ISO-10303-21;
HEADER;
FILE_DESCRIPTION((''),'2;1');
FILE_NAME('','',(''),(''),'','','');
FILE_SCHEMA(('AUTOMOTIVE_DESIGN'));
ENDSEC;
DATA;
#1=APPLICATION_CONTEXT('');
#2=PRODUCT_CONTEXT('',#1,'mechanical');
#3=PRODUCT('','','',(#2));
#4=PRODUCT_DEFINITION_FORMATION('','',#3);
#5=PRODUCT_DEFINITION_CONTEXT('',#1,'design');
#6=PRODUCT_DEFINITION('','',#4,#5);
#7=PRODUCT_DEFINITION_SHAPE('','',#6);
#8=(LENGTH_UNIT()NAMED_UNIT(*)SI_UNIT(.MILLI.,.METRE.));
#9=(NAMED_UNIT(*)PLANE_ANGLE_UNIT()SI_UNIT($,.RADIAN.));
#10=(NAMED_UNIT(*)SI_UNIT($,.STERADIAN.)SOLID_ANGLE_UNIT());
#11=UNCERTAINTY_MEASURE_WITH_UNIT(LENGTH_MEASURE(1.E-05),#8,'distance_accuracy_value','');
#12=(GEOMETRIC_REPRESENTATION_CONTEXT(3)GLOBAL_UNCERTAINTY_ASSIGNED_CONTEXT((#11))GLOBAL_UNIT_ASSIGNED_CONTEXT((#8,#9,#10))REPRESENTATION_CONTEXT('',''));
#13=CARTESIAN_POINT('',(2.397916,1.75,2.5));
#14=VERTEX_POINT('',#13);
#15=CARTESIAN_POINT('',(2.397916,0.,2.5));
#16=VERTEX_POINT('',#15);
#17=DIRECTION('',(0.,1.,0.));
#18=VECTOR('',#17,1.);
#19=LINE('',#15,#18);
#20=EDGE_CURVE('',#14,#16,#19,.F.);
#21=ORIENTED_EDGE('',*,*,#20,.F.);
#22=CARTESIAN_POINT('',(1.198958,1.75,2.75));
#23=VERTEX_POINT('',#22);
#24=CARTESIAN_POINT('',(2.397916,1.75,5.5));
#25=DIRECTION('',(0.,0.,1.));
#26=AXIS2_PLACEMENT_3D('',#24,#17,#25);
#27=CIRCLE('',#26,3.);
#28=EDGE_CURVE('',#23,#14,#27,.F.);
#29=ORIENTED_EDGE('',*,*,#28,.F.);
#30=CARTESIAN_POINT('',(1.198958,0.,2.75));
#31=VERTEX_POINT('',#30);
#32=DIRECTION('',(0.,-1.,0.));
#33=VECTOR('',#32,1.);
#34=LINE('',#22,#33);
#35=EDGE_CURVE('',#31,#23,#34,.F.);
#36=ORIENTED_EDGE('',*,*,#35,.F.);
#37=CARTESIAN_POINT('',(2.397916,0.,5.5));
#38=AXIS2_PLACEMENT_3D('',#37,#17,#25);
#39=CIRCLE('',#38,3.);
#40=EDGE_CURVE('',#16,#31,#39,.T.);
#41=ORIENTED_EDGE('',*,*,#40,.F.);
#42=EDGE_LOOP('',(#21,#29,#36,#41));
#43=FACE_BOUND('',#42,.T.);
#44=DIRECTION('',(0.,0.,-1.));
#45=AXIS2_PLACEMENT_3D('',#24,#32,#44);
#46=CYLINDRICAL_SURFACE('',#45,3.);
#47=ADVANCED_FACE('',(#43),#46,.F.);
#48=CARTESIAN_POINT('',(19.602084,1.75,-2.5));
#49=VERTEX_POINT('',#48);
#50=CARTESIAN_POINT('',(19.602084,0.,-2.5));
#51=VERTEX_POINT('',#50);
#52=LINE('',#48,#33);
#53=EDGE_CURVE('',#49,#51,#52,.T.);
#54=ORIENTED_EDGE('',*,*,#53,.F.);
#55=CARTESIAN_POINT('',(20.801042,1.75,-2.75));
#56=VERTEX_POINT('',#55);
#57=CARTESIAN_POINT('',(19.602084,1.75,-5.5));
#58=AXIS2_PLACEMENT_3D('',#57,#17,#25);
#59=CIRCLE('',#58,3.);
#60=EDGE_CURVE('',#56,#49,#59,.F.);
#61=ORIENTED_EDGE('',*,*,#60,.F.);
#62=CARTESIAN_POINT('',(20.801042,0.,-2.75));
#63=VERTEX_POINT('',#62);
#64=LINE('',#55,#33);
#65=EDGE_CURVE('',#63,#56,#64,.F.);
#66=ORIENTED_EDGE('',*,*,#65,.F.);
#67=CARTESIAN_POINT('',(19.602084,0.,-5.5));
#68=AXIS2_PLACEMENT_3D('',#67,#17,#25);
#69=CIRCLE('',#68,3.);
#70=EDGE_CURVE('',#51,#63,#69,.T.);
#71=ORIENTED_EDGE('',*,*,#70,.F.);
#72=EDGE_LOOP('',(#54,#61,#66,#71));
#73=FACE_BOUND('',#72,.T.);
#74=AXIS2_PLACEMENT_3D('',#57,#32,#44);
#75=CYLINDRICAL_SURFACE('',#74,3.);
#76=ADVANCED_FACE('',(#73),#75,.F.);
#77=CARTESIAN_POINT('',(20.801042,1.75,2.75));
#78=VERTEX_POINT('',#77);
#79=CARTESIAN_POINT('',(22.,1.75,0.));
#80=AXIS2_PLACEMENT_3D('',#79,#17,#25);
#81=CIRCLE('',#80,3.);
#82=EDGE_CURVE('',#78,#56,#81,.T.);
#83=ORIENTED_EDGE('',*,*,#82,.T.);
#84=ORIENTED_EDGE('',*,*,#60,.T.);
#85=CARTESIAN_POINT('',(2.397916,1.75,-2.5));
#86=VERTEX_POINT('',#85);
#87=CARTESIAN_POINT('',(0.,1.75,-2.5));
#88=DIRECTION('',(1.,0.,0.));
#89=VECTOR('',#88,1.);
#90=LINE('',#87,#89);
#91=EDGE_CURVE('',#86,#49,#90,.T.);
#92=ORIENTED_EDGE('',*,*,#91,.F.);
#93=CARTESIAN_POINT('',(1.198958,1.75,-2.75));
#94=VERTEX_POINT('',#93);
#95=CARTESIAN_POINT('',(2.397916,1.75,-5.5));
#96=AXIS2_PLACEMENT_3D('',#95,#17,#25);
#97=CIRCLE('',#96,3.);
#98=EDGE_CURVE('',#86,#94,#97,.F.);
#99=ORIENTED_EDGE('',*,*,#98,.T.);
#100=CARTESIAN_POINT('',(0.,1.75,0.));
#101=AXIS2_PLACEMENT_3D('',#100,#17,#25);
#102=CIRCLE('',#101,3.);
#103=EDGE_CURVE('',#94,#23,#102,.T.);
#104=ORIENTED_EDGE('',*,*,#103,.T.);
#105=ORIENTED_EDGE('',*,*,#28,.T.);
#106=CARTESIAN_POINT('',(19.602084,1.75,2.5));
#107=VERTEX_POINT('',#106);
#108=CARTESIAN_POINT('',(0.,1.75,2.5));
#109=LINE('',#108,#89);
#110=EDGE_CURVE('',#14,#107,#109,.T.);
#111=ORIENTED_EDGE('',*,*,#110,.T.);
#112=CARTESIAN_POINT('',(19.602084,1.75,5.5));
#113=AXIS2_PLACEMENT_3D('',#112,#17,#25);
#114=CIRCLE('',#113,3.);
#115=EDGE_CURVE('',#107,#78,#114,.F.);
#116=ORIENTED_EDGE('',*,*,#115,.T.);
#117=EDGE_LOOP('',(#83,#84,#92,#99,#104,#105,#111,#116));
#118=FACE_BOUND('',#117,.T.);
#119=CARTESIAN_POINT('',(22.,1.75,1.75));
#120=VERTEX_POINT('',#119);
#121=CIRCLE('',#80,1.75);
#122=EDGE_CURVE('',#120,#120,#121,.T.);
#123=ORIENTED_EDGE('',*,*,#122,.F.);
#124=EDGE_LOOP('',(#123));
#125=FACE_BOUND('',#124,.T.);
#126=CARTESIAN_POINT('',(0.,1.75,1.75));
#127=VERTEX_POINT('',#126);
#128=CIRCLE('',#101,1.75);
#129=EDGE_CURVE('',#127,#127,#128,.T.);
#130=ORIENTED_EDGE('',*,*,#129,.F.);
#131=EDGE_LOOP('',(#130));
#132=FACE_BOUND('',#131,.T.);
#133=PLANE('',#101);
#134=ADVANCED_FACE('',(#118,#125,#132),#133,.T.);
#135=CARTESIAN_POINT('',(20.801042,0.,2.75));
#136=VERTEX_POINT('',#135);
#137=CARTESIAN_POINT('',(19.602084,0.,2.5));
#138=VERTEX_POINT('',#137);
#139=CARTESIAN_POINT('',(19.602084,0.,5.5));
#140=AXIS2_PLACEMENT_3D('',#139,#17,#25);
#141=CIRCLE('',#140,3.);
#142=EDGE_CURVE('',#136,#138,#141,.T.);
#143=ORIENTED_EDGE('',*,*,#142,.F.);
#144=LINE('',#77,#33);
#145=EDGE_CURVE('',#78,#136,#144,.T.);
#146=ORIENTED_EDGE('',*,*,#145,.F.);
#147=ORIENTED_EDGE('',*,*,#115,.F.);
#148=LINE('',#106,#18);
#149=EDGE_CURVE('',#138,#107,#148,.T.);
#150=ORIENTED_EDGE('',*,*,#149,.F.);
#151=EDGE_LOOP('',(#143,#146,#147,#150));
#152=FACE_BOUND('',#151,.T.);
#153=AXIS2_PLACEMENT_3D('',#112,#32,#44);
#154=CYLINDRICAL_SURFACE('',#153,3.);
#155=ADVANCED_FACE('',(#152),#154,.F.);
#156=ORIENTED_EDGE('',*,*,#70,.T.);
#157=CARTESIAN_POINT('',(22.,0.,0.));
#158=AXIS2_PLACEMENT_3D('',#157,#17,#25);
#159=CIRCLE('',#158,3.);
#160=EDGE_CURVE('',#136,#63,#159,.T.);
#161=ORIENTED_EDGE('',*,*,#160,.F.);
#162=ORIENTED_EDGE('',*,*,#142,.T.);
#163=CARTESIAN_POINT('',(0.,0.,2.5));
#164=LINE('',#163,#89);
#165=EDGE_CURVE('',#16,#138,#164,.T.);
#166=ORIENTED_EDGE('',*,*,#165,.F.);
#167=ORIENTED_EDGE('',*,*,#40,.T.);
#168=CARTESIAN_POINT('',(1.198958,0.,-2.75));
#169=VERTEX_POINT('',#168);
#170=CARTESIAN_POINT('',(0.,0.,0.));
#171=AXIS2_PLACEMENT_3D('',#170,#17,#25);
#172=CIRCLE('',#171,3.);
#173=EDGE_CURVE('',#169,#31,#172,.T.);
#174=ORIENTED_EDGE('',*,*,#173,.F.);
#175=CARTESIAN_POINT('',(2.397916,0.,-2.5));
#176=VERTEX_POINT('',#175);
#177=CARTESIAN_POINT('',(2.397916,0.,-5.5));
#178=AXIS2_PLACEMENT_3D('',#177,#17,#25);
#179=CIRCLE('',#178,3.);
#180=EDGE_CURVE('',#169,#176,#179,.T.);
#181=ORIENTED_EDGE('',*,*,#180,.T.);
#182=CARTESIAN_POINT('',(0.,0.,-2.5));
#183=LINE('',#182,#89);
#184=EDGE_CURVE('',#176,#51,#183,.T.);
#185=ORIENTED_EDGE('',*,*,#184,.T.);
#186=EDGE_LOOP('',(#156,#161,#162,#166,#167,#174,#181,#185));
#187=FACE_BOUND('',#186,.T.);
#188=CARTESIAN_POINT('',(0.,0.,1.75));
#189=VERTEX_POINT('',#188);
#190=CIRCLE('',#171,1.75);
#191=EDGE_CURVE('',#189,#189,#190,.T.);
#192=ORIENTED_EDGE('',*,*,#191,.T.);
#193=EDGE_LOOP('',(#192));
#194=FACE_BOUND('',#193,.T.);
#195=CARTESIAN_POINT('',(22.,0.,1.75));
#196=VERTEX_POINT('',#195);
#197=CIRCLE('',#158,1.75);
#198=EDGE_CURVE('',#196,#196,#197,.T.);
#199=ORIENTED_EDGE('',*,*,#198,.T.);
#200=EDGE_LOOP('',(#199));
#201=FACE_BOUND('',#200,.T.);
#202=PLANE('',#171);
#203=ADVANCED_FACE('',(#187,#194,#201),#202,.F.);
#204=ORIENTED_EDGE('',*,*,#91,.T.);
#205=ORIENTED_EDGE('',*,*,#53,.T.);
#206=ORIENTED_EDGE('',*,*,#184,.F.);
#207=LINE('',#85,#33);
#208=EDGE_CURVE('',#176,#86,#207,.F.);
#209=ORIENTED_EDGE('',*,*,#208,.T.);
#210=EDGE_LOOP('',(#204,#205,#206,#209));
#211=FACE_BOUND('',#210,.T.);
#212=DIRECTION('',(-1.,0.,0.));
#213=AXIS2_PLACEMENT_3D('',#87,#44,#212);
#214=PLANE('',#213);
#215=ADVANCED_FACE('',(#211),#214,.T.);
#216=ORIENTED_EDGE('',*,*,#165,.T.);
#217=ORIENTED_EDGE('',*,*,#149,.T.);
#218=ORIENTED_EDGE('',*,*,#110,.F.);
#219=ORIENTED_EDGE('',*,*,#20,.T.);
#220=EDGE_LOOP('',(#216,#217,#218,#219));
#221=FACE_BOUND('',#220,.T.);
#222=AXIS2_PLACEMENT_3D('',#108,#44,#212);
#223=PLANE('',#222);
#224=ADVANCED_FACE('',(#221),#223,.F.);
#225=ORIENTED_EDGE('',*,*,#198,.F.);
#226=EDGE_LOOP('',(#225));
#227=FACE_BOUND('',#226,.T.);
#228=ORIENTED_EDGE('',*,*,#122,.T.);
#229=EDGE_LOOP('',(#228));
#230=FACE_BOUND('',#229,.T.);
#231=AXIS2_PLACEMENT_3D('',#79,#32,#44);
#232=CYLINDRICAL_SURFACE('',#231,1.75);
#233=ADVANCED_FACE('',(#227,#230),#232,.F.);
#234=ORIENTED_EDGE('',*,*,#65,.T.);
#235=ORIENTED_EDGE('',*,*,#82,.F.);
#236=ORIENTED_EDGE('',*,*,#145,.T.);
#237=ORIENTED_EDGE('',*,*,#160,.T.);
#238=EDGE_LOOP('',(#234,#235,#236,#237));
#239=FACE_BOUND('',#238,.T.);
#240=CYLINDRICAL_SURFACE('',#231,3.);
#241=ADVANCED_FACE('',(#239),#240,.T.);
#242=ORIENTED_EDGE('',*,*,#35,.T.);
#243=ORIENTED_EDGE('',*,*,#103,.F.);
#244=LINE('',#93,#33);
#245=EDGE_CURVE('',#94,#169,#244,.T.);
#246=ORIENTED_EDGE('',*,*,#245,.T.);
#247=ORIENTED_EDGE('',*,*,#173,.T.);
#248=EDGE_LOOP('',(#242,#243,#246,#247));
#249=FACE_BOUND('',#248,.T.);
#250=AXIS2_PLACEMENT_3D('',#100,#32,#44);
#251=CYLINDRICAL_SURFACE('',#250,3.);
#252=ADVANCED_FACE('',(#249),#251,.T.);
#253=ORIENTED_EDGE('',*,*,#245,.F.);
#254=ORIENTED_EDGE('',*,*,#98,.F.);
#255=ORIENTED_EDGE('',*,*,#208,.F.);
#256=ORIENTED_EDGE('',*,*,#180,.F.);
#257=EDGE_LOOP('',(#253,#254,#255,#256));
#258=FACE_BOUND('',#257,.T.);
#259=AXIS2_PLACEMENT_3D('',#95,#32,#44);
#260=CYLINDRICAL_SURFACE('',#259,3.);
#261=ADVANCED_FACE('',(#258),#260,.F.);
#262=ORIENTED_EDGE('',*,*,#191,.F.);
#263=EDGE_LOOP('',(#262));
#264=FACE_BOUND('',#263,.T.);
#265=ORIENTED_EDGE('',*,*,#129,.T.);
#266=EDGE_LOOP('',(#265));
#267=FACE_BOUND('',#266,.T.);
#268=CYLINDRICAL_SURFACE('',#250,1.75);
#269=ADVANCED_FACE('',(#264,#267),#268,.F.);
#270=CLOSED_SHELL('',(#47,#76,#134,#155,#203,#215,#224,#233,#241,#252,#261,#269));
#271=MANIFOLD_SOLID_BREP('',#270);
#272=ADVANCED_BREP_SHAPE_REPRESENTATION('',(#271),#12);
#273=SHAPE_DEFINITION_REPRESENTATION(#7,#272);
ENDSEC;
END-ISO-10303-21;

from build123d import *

# Parameters (mm, degrees)
SKETCH1_R           = 1.75
BOSS_EXTRUDE1_DEPTH = 1.75
FILLET1_R           = 3


with BuildPart() as part:
    # Sketch1 → Boss-Extrude1 (new body)
    with BuildSketch(Plane(origin=(0, 0, 0), x_dir=(1, 0, 0), z_dir=(0, 1, 0))):
        with BuildLine():
            ThreePointArc((1.658312395, 2.5), (-3, 0), (1.658312395, -2.5))
            Line((1.658312395, -2.5), (20.341687605, -2.5))
            ThreePointArc((20.341687605, -2.5), (25, 0), (20.341687605, 2.5))
            Line((20.341687605, 2.5), (1.658312395, 2.5))
        make_face()
        with Locations(Location((0, 0, 0), (0, 0, 270))):
            Circle(SKETCH1_R, mode=Mode.SUBTRACT)
        with Locations(Location((22, 0, 0), (0, 0, 270))):
            Circle(SKETCH1_R, mode=Mode.SUBTRACT)
    extrude(amount=BOSS_EXTRUDE1_DEPTH)

    # Fillet1
    fillet1_edges = [part.edges().sort_by_distance(p)[0] for p in [
        (20.341687605, 0.875, 2.5),
        (1.658312395, 0.875, 2.5),
        (1.658312395, 0.875, -2.5),
        (20.341687605, 0.875, -2.5),
    ]]
    fillet(fillet1_edges, radius=FILLET1_R)


solid = part.part
